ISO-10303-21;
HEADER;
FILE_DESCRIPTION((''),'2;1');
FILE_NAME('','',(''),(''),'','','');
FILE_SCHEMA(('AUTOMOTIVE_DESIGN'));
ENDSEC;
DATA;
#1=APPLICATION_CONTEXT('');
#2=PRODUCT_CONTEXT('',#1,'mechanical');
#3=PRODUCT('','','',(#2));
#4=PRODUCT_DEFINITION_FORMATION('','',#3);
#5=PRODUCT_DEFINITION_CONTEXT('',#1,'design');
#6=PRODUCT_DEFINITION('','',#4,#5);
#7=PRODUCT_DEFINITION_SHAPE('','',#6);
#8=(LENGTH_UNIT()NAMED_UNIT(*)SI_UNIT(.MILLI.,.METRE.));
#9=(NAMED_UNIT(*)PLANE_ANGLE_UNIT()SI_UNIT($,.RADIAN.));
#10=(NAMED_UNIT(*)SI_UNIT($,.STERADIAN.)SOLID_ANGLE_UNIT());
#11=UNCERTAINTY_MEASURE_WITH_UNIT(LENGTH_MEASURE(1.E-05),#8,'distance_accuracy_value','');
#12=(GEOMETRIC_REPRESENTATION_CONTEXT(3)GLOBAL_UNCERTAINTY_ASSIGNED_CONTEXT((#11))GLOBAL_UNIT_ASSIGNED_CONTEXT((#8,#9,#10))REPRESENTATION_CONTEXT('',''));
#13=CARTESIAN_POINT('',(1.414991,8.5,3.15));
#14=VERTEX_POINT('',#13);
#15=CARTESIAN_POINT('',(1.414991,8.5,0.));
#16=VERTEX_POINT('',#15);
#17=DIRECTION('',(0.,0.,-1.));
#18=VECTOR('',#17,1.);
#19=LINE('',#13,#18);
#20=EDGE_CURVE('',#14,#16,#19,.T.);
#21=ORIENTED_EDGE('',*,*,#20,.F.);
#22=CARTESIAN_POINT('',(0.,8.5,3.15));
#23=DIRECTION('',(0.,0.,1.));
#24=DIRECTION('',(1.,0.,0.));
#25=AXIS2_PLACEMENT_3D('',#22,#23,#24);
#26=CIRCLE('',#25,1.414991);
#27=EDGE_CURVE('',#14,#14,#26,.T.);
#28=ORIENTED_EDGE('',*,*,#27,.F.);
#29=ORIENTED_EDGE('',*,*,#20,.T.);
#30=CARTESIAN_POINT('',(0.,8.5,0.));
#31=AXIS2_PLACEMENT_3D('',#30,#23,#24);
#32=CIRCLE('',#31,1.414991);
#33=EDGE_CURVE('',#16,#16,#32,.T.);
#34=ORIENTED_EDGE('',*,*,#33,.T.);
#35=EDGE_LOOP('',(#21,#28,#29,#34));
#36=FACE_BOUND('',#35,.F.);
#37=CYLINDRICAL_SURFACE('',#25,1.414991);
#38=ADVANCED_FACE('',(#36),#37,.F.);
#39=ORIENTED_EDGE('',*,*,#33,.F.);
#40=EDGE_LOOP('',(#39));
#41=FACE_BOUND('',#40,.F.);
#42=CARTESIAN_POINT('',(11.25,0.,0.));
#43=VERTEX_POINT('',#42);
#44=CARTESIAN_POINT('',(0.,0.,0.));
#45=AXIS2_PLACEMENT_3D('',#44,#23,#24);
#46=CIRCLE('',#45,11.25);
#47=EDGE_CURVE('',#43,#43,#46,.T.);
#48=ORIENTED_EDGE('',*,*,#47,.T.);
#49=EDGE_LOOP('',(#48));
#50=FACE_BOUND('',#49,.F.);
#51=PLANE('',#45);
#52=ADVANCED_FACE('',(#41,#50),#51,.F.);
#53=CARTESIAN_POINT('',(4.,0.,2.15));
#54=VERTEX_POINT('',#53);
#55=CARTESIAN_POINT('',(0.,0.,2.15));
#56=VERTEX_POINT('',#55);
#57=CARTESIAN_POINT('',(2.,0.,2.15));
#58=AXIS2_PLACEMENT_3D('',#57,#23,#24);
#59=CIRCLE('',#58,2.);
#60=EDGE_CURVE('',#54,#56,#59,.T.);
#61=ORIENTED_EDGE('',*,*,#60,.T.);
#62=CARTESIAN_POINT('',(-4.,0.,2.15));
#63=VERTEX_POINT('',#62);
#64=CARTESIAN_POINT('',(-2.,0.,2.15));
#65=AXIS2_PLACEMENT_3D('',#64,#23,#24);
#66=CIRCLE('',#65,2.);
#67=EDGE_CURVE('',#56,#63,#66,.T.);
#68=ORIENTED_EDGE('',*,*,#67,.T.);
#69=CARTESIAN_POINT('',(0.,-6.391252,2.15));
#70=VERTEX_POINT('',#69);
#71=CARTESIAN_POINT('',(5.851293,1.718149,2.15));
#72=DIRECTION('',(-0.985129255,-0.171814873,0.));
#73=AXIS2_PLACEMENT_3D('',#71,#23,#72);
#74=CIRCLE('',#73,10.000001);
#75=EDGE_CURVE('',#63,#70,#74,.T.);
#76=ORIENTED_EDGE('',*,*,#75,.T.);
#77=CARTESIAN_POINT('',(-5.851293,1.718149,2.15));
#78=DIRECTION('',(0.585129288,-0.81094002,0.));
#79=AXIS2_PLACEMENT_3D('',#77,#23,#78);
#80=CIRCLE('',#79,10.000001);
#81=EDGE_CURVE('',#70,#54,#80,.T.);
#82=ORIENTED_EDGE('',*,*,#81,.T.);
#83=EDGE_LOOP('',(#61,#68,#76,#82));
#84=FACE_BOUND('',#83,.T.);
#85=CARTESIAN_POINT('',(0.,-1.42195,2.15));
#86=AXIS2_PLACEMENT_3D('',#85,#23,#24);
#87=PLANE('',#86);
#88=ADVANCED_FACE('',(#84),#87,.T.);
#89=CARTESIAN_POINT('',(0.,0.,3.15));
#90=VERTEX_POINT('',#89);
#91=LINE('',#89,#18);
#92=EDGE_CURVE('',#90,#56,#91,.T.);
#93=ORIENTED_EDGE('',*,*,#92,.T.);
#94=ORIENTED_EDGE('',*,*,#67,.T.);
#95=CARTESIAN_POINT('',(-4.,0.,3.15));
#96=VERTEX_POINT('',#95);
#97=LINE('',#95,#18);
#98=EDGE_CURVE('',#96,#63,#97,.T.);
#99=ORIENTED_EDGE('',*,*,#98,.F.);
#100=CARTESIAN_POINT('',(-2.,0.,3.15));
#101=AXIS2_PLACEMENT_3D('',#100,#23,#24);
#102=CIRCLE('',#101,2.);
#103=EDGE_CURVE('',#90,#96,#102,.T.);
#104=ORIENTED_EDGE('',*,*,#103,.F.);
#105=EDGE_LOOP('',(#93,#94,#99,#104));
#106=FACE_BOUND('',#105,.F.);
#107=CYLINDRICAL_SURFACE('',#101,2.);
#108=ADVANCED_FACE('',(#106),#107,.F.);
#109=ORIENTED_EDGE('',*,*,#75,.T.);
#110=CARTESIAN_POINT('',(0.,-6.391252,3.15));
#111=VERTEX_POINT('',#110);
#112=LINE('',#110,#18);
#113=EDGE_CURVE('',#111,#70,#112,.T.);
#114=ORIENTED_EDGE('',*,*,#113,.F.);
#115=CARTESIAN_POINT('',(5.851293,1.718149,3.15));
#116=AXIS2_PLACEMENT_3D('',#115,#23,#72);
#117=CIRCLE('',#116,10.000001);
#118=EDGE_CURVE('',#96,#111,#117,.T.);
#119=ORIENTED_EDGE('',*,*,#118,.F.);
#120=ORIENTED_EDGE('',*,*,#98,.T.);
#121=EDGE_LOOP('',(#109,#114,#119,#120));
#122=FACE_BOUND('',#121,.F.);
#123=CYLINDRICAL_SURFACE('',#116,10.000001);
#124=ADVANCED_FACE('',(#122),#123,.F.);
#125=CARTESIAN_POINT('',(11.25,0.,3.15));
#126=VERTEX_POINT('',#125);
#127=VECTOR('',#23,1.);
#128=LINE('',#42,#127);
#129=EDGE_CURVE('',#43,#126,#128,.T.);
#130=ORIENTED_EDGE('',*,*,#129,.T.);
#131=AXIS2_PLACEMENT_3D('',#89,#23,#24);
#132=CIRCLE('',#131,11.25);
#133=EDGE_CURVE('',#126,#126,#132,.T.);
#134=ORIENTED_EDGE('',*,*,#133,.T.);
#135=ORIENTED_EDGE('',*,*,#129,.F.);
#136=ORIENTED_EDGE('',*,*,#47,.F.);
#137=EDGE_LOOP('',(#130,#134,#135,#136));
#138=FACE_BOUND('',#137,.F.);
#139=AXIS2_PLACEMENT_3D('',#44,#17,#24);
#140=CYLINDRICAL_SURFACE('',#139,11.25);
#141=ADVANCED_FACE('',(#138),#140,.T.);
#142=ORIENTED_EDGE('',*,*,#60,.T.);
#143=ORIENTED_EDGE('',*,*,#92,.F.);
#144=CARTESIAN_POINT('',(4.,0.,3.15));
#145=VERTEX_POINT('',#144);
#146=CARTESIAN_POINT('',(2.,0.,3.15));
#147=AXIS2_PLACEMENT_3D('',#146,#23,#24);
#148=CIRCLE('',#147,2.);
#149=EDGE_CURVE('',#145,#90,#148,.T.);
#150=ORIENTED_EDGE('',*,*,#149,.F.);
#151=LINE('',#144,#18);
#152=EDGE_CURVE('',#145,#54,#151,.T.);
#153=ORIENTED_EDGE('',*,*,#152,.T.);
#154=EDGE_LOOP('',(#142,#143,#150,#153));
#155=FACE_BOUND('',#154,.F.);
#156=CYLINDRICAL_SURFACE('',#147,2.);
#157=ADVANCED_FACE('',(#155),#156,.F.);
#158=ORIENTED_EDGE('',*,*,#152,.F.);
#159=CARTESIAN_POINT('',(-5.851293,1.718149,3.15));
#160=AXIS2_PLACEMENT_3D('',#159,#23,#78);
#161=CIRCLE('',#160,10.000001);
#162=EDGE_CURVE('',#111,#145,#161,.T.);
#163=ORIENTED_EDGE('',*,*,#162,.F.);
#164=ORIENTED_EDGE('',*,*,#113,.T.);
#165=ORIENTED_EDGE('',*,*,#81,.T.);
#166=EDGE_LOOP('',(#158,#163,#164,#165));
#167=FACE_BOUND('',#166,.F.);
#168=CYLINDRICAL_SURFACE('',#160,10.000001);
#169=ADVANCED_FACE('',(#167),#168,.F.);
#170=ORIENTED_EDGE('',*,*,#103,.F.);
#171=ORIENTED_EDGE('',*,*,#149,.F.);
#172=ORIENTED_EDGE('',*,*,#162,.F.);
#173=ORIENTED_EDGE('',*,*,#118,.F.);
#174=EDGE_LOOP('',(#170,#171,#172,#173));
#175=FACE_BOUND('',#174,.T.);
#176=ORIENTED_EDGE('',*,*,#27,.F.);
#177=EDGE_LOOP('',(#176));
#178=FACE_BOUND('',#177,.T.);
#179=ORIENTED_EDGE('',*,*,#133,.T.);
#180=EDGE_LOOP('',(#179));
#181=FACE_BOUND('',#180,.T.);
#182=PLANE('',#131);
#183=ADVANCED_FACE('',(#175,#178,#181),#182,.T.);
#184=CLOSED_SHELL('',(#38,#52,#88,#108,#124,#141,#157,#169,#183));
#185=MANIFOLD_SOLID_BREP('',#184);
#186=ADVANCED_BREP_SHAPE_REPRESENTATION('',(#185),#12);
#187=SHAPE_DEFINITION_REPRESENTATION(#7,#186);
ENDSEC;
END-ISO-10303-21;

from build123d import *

# Parameters (mm, degrees)
F2_R     = 11.25
F0_DEPTH = 3.15
F3_R     = 1.414991
F4_DEPTH = 3.15
F5_DEPTH = 1


with BuildPart() as f0:
    # F2 (on Top) → F0 (new body)
    with BuildSketch(Plane.XY):
        Circle(F2_R)
    extrude(amount=F0_DEPTH)

    # F3 (on face) → F4 (cut, through all)
    with BuildSketch(Plane.XY.offset(3.15)):
        with Locations((0, 8.5)):
            Circle(F3_R)
    extrude(amount=-F4_DEPTH, mode=Mode.SUBTRACT)

    # F1 (on face) → F5 (cut)
    with BuildSketch(Plane.XY.offset(3.15)):
        with BuildLine():
            ThreePointArc((0, 0), (-2, 2), (-4, 0))
            ThreePointArc((-4, 0), (-2.62543, -3.587054), (0, -6.391252))
            ThreePointArc((0, -6.391252), (2.62543, -3.587054), (4, 0))
            ThreePointArc((4, 0), (2, 2), (0, 0))
        make_face()
    extrude(amount=-F5_DEPTH, mode=Mode.SUBTRACT)


solid = f0.part
